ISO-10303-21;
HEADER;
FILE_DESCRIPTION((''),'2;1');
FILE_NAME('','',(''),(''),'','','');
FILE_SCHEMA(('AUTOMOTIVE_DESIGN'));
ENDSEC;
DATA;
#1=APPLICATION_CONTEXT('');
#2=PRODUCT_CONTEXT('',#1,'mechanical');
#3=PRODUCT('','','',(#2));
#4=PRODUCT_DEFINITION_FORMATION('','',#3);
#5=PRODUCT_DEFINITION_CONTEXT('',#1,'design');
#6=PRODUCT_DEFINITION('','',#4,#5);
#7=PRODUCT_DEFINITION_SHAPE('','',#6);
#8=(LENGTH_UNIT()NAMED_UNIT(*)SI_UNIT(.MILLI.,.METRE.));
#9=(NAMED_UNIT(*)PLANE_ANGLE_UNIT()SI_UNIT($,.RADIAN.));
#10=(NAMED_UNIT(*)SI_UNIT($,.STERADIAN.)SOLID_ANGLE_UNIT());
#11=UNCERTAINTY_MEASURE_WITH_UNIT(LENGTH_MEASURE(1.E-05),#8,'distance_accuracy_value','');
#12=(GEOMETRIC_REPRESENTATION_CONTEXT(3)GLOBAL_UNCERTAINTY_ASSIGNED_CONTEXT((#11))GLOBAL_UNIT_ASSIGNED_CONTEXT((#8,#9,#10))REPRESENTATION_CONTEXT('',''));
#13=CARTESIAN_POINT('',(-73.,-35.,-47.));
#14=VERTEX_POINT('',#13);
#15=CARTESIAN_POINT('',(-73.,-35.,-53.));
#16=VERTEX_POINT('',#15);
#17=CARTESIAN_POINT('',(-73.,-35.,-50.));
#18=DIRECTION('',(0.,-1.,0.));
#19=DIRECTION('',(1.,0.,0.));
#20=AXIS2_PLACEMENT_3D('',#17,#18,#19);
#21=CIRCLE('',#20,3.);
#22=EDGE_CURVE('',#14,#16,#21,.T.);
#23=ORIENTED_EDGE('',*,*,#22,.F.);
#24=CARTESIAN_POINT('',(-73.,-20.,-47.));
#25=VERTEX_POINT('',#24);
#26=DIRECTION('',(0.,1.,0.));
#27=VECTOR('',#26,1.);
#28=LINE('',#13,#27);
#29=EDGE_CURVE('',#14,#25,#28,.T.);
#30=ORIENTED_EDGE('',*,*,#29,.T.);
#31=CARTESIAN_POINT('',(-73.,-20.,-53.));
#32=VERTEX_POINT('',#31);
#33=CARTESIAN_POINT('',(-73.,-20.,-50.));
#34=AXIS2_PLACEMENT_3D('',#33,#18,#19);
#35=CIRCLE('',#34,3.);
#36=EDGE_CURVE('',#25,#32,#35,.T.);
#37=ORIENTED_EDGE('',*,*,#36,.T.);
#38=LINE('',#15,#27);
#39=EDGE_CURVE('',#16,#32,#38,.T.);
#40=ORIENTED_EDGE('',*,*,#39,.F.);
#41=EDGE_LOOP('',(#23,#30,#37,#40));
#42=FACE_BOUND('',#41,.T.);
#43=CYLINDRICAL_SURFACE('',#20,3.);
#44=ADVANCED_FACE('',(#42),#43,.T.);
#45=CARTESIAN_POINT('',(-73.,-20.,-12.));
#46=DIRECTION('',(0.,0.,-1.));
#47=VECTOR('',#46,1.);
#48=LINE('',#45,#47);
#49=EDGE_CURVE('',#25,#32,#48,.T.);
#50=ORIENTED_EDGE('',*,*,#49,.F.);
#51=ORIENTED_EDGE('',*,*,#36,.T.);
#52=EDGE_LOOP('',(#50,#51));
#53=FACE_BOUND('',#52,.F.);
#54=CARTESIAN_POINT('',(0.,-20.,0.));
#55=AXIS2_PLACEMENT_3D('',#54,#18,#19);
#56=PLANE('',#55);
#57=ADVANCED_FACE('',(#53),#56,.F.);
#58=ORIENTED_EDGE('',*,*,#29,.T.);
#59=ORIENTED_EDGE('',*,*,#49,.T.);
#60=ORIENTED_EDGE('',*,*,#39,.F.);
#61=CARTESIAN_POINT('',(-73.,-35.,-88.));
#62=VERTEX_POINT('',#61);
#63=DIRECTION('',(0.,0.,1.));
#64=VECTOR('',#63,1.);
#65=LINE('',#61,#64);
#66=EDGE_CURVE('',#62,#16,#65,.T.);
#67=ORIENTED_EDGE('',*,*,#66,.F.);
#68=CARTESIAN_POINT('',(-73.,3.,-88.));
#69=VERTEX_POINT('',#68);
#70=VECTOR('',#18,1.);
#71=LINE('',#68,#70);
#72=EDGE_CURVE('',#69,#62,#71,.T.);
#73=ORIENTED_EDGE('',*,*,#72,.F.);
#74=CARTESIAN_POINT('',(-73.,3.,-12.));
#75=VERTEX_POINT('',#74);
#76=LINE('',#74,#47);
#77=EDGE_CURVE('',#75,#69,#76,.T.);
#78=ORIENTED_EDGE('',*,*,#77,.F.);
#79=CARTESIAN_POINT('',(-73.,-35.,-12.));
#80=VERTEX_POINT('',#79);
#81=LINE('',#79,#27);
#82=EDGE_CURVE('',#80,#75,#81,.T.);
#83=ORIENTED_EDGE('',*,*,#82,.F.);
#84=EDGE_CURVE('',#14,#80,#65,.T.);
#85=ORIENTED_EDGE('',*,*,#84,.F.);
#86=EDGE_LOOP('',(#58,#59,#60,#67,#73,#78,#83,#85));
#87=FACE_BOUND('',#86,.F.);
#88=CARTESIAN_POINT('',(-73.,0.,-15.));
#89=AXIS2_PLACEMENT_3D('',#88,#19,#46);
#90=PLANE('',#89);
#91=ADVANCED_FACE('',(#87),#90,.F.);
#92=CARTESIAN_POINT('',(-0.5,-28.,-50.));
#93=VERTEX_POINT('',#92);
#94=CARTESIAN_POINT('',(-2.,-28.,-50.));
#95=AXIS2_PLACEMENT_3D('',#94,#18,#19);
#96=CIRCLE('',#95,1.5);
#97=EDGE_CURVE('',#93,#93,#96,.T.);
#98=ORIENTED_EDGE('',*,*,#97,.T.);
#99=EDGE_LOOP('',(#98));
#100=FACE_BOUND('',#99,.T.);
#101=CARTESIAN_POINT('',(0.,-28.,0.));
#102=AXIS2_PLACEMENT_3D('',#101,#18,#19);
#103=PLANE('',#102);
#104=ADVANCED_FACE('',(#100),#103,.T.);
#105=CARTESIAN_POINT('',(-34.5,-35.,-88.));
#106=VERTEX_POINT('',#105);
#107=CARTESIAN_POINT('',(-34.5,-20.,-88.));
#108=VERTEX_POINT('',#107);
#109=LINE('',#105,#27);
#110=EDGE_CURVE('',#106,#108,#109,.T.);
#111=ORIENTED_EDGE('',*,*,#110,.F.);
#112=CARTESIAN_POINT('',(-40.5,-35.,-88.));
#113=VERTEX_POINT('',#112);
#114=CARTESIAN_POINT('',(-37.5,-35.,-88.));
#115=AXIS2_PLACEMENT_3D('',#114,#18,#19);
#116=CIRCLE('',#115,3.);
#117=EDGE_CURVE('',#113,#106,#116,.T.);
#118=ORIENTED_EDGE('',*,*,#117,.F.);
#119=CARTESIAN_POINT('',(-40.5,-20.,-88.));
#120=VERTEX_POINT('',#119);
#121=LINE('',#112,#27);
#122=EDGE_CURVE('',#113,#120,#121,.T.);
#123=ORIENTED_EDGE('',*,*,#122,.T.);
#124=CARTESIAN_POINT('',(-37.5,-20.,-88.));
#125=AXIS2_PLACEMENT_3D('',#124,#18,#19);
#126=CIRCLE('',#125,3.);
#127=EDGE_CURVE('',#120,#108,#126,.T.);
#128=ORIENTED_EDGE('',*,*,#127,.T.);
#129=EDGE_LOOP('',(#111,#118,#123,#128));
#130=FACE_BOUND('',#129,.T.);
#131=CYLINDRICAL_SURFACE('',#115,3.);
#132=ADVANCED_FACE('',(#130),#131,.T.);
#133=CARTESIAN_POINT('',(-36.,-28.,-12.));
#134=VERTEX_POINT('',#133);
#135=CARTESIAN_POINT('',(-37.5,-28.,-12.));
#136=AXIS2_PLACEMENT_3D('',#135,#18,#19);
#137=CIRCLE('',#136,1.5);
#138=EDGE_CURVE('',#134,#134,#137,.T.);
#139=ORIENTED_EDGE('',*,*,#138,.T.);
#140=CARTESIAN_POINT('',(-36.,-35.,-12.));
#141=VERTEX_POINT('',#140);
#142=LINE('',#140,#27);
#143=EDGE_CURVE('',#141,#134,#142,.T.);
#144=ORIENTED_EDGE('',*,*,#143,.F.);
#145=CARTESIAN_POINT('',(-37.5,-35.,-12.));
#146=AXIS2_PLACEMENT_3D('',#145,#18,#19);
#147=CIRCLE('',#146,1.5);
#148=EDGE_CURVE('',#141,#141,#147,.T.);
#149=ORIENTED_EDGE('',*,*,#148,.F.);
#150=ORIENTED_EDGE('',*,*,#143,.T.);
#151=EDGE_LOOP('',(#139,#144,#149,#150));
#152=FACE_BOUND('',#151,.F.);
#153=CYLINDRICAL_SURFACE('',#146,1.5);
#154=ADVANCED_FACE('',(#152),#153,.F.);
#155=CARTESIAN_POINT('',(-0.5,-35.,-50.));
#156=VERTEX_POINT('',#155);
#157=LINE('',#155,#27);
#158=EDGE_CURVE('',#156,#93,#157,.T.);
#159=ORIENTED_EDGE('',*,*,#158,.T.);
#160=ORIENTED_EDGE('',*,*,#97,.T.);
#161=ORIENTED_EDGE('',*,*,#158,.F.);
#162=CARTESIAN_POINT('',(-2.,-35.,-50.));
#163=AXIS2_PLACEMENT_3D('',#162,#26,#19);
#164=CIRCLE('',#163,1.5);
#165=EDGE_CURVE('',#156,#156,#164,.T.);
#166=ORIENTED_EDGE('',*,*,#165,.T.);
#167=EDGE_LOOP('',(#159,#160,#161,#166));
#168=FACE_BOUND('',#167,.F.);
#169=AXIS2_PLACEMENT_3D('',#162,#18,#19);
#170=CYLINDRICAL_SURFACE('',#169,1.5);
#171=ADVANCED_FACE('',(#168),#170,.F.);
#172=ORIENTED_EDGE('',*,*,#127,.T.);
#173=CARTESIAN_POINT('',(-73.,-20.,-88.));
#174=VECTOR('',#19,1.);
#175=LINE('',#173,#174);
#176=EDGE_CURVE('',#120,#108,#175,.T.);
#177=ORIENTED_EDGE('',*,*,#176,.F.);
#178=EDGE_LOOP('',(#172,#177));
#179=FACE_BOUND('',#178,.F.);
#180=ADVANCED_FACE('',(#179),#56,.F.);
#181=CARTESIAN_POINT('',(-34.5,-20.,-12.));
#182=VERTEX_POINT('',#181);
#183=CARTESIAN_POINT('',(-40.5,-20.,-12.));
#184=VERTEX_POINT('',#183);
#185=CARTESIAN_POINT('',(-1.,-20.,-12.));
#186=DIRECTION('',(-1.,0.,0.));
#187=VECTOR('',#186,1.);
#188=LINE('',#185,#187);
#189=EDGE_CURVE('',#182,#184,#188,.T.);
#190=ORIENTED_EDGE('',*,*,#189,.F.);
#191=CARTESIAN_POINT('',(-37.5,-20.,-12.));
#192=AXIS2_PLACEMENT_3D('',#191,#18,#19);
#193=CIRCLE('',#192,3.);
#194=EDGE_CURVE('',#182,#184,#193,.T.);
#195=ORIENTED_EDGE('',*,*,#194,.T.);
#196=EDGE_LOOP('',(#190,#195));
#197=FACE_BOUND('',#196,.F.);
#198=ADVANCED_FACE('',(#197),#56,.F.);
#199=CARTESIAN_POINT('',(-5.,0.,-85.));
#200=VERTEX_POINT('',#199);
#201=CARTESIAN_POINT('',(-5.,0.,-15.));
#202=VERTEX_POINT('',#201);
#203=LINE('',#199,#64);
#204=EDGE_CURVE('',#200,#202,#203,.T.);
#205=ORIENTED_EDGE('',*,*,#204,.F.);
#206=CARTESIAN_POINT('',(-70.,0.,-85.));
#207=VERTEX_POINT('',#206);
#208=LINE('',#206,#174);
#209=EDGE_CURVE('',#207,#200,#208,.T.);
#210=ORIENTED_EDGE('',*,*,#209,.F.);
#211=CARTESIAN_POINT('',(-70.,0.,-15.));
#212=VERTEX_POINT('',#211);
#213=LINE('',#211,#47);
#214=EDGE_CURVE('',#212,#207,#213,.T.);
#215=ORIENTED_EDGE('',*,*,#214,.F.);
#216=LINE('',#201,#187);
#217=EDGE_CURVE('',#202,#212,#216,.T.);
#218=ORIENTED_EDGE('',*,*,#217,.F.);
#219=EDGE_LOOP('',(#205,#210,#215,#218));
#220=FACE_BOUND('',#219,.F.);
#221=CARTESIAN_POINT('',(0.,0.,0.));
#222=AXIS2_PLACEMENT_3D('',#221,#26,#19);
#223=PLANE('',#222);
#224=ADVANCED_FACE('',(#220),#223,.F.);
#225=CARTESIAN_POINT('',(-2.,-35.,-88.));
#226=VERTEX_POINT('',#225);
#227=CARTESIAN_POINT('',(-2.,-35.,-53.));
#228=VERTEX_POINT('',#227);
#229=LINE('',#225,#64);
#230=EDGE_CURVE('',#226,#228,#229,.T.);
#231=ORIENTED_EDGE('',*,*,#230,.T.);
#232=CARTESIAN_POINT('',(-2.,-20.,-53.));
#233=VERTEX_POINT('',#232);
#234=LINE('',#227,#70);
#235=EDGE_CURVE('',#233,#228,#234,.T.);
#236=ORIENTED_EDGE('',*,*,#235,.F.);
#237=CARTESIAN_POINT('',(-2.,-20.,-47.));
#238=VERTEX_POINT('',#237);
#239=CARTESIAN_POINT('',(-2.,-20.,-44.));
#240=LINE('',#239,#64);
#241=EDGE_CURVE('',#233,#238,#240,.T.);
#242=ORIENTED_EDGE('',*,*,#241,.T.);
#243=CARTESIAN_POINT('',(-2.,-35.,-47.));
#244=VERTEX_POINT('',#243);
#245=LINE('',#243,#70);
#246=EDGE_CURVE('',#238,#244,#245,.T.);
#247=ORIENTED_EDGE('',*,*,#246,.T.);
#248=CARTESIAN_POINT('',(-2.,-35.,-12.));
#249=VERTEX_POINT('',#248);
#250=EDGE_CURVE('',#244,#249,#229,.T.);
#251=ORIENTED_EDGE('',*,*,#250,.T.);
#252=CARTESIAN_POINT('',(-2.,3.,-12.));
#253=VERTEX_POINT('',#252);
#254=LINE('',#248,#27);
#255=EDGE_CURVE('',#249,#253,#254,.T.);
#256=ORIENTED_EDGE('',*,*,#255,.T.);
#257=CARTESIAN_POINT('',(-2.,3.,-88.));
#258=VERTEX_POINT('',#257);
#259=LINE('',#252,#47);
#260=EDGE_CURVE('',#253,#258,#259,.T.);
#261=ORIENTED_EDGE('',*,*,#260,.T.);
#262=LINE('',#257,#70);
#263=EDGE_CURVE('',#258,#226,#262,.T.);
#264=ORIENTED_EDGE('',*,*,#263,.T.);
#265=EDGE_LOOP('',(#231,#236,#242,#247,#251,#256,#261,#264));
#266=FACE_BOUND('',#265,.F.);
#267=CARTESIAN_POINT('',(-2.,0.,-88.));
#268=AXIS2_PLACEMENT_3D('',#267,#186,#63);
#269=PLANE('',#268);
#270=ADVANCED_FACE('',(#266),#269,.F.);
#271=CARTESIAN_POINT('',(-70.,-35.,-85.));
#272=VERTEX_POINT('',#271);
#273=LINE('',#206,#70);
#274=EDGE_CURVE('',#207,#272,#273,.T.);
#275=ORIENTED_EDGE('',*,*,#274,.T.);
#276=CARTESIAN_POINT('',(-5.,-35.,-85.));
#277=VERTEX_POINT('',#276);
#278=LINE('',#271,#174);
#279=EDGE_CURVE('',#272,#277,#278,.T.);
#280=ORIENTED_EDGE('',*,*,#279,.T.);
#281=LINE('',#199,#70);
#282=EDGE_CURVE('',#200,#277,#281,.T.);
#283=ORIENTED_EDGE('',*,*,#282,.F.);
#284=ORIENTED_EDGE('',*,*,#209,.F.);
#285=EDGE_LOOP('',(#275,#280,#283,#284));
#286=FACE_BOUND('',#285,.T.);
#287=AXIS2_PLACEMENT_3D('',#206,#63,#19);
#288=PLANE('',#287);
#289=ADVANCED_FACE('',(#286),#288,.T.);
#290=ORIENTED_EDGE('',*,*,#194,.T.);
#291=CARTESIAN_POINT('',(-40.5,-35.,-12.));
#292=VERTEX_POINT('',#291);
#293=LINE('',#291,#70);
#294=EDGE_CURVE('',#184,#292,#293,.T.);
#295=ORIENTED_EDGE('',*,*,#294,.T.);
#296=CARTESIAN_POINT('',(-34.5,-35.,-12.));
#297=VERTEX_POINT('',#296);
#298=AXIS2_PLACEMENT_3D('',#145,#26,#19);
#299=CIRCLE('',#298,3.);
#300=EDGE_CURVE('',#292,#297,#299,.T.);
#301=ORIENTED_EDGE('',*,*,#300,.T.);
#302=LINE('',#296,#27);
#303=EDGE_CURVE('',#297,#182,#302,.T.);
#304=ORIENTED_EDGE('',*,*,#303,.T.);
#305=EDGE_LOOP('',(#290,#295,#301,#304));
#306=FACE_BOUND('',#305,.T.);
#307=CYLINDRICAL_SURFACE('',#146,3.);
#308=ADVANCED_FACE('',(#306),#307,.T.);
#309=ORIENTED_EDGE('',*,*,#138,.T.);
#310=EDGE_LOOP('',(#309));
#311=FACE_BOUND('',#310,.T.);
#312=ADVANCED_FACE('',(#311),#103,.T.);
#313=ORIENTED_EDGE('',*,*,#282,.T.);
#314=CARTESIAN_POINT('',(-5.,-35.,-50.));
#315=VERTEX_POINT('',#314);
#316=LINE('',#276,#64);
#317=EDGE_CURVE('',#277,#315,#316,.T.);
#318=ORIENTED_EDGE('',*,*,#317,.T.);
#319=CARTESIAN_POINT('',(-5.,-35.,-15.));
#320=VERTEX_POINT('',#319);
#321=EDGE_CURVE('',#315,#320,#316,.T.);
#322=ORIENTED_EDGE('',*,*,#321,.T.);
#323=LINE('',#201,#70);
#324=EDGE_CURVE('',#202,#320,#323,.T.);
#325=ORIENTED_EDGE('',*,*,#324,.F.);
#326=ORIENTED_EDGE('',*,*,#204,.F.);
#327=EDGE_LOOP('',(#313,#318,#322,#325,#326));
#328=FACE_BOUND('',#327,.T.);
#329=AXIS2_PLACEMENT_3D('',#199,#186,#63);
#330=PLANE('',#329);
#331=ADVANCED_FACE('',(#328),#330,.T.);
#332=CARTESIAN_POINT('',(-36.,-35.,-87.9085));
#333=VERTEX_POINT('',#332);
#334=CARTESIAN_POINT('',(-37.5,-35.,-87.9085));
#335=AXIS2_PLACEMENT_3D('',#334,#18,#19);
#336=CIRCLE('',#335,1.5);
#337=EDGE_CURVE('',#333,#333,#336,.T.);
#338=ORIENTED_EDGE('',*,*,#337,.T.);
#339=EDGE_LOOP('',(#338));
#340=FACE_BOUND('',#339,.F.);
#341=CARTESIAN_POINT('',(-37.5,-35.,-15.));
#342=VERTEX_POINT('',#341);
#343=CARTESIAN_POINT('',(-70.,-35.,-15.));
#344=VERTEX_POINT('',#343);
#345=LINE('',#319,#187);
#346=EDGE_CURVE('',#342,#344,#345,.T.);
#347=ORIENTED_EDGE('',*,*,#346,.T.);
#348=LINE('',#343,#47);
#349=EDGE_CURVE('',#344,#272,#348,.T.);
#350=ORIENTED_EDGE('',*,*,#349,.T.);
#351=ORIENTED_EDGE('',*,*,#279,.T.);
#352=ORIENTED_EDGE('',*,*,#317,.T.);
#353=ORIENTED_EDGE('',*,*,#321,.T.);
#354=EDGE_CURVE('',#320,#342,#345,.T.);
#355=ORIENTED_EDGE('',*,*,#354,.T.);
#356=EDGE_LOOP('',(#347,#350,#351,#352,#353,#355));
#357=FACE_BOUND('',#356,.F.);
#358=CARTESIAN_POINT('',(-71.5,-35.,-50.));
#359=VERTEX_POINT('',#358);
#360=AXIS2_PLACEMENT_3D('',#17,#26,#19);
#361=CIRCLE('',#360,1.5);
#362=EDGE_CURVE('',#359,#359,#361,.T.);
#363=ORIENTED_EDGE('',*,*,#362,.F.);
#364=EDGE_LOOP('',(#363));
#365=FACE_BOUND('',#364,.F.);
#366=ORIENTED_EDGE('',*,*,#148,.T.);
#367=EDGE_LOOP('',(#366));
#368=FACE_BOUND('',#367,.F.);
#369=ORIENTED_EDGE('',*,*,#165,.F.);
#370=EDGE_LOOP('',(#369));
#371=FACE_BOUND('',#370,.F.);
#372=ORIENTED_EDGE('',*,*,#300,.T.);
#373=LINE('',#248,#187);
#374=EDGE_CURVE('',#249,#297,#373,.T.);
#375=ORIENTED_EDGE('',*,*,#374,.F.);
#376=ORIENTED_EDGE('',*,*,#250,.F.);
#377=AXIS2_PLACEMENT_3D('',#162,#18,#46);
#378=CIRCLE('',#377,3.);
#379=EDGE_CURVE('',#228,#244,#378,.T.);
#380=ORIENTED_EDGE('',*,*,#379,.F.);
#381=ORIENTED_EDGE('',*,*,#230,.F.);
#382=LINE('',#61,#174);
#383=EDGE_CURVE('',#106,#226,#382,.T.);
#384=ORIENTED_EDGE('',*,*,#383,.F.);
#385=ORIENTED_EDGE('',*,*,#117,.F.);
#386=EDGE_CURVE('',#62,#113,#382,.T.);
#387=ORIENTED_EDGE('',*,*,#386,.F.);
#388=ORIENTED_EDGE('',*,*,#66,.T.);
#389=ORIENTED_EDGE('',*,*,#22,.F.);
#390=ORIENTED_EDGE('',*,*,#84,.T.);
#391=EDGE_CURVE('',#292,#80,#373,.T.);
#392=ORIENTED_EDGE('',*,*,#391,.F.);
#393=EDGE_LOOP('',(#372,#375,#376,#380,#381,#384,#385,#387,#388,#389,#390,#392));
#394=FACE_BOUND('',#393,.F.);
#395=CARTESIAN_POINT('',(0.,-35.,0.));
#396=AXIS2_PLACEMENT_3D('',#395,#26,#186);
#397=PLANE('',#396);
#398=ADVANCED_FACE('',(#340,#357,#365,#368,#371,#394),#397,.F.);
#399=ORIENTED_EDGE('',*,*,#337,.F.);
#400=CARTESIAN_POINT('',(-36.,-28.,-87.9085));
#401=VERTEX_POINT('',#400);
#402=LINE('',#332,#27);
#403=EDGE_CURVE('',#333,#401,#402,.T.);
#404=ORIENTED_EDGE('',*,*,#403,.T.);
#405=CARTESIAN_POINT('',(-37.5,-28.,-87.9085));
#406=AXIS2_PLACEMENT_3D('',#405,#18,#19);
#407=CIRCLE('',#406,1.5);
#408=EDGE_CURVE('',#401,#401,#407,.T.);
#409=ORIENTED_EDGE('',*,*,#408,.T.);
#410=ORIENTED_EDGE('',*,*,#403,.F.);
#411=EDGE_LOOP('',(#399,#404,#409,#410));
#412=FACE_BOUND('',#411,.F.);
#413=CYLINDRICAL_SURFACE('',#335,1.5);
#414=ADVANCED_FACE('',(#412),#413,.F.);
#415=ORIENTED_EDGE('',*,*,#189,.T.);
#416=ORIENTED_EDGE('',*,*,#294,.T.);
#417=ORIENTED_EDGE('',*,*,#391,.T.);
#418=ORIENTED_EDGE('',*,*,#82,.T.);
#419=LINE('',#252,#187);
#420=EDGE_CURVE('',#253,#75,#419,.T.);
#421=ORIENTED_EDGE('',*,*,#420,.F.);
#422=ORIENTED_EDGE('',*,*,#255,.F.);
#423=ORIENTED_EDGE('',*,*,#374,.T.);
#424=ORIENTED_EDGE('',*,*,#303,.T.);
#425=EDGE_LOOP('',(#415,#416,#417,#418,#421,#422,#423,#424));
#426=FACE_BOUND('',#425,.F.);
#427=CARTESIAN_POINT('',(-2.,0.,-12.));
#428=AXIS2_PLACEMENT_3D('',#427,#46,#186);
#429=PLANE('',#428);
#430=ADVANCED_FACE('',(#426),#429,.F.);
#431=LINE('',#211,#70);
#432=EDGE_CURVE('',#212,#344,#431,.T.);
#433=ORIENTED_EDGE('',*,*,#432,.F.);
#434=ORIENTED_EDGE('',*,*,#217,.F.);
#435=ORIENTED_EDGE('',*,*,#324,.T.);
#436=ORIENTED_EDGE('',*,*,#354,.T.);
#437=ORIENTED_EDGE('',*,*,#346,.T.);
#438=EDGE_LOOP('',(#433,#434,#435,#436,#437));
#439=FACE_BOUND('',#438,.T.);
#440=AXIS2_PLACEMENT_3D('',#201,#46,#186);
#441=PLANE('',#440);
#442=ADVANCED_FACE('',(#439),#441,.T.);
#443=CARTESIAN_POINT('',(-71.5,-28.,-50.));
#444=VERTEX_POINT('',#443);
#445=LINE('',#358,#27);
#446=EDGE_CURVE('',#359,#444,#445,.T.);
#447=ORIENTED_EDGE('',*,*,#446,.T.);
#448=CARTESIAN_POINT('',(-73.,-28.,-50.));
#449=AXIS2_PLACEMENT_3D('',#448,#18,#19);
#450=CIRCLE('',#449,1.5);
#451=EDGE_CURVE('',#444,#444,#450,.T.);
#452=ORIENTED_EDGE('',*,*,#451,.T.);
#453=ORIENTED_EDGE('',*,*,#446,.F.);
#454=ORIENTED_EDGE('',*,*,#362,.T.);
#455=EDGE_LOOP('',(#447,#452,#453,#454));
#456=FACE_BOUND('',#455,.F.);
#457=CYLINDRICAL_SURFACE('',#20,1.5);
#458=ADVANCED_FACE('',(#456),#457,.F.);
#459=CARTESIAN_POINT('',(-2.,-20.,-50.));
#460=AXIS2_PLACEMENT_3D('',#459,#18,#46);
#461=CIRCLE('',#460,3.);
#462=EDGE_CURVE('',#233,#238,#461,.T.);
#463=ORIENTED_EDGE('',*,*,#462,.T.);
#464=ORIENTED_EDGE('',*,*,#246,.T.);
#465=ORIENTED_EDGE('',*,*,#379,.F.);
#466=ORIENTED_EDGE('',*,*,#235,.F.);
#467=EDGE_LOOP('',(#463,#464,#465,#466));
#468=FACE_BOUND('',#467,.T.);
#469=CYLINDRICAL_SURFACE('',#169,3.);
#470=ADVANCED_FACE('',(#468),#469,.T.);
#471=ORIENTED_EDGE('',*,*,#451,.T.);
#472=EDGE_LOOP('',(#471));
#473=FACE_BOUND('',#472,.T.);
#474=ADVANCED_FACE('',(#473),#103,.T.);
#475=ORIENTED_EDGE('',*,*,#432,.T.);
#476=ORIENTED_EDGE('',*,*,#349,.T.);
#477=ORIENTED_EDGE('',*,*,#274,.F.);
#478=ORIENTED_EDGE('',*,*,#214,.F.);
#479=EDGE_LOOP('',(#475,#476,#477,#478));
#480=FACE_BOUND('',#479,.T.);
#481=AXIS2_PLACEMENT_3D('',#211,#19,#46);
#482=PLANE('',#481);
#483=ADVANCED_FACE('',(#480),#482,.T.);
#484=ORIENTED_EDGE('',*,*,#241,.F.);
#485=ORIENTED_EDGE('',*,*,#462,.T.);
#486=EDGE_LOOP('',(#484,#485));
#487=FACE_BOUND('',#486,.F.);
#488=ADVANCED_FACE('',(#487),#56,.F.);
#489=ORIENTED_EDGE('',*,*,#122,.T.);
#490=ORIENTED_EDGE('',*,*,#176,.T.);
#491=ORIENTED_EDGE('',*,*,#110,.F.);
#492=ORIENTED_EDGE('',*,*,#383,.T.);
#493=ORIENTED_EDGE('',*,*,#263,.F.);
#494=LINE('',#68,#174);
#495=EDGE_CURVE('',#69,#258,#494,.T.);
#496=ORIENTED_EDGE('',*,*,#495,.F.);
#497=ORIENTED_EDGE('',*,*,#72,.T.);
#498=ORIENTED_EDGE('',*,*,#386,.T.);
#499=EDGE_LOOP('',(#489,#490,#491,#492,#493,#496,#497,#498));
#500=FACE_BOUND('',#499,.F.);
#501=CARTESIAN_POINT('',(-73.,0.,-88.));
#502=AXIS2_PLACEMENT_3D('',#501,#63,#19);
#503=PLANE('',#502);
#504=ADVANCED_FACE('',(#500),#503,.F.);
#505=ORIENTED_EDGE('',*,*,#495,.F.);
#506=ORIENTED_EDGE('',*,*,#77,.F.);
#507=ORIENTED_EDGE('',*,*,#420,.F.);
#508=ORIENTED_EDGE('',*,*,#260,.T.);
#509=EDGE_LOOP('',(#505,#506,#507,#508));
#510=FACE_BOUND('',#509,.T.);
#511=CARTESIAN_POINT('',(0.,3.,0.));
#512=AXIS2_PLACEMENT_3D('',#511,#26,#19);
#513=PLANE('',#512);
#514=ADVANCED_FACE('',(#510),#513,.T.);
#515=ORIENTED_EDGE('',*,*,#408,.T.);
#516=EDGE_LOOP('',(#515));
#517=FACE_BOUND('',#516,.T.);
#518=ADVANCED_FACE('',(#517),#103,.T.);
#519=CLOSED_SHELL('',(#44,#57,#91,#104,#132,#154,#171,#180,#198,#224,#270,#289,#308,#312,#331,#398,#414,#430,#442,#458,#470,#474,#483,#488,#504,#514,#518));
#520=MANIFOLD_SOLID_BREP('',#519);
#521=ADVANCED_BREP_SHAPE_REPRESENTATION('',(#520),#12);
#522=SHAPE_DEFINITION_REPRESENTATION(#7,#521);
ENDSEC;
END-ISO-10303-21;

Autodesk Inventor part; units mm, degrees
ref_plane "YZ Plane" through (0, 0, 0) normal (1, 0, 0) x (0, 1, 0)
ref_plane "XZ Plane" through (0, 0, 0) normal (0, 1, 0) x (-1, 0, 0)
ref_plane "XY Plane" through (0, 0, 0) normal (0, 0, 1) x (1, 0, 0)
sketch "Sketch1" plane through (0, 0, 0) normal (0, 1, 0) x (-1, 0, 0)
  line L0 (70, -85) -> (5, -85)
  line L1 (5, -85) -> (5, -15)
  line L2 (5, -15) -> (70, -15)
  line L3 (70, -15) -> (70, -85)
  line L4 (73, -15) -> (73, -85)
  line L5 (73, -85) -> (73, -88)
  line L6 (73, -88) -> (5, -88)
  line L7 (5, -88) -> (2, -88)
  line L8 (2, -88) -> (2, -15)
  line L9 (2, -15) -> (2, -12)
  line L10 (2, -12) -> (73, -12)
  line L11 (73, -12) -> (73, -15)
  line L12 (70, -85) -> (5, -85)
  line L13 (5, -85) -> (5, -15)
  line L14 (5, -15) -> (70, -15)
  line L15 (70, -15) -> (70, -85)
  line L16 (73, -88) -> (2, -88)
  line L17 (2, -88) -> (2, -12)
  line L18 (2, -12) -> (73, -12)
  line L19 (73, -12) -> (73, -88)
  point P0 (0, 0)
  dimension "d25" = 70
extrude "Extrusion1" add sketch "Sketch1" against normal blind 35
sketch "Sketch2" plane through (0, 0, 0) normal (0, 1, 0) x (1, 0, 0)
  line L0 (-2, 12) -> (-2, 88) projected
  line L1 (-2, 12) -> (-73, 12)
  line L2 (-73, 12) -> (-73, 88)
  line L3 (-73, 88) -> (-2, 88)
  line L4 (-2, 88) -> (-2, 12)
  point P0 (0, 0)
extrude "Extrusion2" add sketch "Sketch2" along normal blind 3
sketch "Sketch3" plane through (0, -35, 0) normal (0, -1, 0) x (1, 0, 0)
  line L0 (-73, -12) -> (-2, -12) projected
  circle A0 centre (-37.5, -12) radius 3
  line L1 (-73, -88) -> (-2, -88) projected
  circle A1 centre (-37.5, -88) radius 3
  line L2 (-73, -12) -> (-73, -88) projected
  circle A2 centre (-73, -50) radius 3
  line L3 (-2, -88) -> (-2, -12) projected
  circle A3 centre (-2, -50) radius 3
  point P0 (0, 0)
  point P1 (-34.5, -88)
  point P2 (-40.5, -88)
  point P3 (-73, -53)
  point P4 (-73, -47)
  dimension "d34" = 6
  dimension "d35" = 6
  dimension "d36" = 6
  dimension "d37" = 6
extrude "Extrusion3" add sketch "Sketch3" against normal blind 15 contours A0 L0 | L0 A0 | A3 L3 | L3 A3 | L2 A2 | A1 L1 picked at (-73.9927, -50.1205) picked at (-37.3795, -88.9927)
sketch "Sketch4" plane through (0, -35, 0) normal (0, -1, 0) x (1, 0, 0)
  line L0 (-73, -88) -> (-73, -12) projected
  circle A0 centre (-73, -50) radius 1.5
  arc A1 (-34.5, -12) -> (-40.5, -12) centre (-37.5, -12) ccw projected
  circle A2 centre (-37.5, -12) radius 1.5
  circle A3 centre (-37.5, -87.9085) radius 1.5
  line L1 (-2, -12) -> (-2, -88) projected
  circle A4 centre (-2, -50) radius 1.5
  point P0 (0, 0)
  dimension "d40" = 3
  dimension "d41" = 3
  dimension "d42" = 3
  dimension "d43" = 3
extrude "Extrusion4" cut sketch "Sketch4" against normal blind 7
properties part number "cajapic"
